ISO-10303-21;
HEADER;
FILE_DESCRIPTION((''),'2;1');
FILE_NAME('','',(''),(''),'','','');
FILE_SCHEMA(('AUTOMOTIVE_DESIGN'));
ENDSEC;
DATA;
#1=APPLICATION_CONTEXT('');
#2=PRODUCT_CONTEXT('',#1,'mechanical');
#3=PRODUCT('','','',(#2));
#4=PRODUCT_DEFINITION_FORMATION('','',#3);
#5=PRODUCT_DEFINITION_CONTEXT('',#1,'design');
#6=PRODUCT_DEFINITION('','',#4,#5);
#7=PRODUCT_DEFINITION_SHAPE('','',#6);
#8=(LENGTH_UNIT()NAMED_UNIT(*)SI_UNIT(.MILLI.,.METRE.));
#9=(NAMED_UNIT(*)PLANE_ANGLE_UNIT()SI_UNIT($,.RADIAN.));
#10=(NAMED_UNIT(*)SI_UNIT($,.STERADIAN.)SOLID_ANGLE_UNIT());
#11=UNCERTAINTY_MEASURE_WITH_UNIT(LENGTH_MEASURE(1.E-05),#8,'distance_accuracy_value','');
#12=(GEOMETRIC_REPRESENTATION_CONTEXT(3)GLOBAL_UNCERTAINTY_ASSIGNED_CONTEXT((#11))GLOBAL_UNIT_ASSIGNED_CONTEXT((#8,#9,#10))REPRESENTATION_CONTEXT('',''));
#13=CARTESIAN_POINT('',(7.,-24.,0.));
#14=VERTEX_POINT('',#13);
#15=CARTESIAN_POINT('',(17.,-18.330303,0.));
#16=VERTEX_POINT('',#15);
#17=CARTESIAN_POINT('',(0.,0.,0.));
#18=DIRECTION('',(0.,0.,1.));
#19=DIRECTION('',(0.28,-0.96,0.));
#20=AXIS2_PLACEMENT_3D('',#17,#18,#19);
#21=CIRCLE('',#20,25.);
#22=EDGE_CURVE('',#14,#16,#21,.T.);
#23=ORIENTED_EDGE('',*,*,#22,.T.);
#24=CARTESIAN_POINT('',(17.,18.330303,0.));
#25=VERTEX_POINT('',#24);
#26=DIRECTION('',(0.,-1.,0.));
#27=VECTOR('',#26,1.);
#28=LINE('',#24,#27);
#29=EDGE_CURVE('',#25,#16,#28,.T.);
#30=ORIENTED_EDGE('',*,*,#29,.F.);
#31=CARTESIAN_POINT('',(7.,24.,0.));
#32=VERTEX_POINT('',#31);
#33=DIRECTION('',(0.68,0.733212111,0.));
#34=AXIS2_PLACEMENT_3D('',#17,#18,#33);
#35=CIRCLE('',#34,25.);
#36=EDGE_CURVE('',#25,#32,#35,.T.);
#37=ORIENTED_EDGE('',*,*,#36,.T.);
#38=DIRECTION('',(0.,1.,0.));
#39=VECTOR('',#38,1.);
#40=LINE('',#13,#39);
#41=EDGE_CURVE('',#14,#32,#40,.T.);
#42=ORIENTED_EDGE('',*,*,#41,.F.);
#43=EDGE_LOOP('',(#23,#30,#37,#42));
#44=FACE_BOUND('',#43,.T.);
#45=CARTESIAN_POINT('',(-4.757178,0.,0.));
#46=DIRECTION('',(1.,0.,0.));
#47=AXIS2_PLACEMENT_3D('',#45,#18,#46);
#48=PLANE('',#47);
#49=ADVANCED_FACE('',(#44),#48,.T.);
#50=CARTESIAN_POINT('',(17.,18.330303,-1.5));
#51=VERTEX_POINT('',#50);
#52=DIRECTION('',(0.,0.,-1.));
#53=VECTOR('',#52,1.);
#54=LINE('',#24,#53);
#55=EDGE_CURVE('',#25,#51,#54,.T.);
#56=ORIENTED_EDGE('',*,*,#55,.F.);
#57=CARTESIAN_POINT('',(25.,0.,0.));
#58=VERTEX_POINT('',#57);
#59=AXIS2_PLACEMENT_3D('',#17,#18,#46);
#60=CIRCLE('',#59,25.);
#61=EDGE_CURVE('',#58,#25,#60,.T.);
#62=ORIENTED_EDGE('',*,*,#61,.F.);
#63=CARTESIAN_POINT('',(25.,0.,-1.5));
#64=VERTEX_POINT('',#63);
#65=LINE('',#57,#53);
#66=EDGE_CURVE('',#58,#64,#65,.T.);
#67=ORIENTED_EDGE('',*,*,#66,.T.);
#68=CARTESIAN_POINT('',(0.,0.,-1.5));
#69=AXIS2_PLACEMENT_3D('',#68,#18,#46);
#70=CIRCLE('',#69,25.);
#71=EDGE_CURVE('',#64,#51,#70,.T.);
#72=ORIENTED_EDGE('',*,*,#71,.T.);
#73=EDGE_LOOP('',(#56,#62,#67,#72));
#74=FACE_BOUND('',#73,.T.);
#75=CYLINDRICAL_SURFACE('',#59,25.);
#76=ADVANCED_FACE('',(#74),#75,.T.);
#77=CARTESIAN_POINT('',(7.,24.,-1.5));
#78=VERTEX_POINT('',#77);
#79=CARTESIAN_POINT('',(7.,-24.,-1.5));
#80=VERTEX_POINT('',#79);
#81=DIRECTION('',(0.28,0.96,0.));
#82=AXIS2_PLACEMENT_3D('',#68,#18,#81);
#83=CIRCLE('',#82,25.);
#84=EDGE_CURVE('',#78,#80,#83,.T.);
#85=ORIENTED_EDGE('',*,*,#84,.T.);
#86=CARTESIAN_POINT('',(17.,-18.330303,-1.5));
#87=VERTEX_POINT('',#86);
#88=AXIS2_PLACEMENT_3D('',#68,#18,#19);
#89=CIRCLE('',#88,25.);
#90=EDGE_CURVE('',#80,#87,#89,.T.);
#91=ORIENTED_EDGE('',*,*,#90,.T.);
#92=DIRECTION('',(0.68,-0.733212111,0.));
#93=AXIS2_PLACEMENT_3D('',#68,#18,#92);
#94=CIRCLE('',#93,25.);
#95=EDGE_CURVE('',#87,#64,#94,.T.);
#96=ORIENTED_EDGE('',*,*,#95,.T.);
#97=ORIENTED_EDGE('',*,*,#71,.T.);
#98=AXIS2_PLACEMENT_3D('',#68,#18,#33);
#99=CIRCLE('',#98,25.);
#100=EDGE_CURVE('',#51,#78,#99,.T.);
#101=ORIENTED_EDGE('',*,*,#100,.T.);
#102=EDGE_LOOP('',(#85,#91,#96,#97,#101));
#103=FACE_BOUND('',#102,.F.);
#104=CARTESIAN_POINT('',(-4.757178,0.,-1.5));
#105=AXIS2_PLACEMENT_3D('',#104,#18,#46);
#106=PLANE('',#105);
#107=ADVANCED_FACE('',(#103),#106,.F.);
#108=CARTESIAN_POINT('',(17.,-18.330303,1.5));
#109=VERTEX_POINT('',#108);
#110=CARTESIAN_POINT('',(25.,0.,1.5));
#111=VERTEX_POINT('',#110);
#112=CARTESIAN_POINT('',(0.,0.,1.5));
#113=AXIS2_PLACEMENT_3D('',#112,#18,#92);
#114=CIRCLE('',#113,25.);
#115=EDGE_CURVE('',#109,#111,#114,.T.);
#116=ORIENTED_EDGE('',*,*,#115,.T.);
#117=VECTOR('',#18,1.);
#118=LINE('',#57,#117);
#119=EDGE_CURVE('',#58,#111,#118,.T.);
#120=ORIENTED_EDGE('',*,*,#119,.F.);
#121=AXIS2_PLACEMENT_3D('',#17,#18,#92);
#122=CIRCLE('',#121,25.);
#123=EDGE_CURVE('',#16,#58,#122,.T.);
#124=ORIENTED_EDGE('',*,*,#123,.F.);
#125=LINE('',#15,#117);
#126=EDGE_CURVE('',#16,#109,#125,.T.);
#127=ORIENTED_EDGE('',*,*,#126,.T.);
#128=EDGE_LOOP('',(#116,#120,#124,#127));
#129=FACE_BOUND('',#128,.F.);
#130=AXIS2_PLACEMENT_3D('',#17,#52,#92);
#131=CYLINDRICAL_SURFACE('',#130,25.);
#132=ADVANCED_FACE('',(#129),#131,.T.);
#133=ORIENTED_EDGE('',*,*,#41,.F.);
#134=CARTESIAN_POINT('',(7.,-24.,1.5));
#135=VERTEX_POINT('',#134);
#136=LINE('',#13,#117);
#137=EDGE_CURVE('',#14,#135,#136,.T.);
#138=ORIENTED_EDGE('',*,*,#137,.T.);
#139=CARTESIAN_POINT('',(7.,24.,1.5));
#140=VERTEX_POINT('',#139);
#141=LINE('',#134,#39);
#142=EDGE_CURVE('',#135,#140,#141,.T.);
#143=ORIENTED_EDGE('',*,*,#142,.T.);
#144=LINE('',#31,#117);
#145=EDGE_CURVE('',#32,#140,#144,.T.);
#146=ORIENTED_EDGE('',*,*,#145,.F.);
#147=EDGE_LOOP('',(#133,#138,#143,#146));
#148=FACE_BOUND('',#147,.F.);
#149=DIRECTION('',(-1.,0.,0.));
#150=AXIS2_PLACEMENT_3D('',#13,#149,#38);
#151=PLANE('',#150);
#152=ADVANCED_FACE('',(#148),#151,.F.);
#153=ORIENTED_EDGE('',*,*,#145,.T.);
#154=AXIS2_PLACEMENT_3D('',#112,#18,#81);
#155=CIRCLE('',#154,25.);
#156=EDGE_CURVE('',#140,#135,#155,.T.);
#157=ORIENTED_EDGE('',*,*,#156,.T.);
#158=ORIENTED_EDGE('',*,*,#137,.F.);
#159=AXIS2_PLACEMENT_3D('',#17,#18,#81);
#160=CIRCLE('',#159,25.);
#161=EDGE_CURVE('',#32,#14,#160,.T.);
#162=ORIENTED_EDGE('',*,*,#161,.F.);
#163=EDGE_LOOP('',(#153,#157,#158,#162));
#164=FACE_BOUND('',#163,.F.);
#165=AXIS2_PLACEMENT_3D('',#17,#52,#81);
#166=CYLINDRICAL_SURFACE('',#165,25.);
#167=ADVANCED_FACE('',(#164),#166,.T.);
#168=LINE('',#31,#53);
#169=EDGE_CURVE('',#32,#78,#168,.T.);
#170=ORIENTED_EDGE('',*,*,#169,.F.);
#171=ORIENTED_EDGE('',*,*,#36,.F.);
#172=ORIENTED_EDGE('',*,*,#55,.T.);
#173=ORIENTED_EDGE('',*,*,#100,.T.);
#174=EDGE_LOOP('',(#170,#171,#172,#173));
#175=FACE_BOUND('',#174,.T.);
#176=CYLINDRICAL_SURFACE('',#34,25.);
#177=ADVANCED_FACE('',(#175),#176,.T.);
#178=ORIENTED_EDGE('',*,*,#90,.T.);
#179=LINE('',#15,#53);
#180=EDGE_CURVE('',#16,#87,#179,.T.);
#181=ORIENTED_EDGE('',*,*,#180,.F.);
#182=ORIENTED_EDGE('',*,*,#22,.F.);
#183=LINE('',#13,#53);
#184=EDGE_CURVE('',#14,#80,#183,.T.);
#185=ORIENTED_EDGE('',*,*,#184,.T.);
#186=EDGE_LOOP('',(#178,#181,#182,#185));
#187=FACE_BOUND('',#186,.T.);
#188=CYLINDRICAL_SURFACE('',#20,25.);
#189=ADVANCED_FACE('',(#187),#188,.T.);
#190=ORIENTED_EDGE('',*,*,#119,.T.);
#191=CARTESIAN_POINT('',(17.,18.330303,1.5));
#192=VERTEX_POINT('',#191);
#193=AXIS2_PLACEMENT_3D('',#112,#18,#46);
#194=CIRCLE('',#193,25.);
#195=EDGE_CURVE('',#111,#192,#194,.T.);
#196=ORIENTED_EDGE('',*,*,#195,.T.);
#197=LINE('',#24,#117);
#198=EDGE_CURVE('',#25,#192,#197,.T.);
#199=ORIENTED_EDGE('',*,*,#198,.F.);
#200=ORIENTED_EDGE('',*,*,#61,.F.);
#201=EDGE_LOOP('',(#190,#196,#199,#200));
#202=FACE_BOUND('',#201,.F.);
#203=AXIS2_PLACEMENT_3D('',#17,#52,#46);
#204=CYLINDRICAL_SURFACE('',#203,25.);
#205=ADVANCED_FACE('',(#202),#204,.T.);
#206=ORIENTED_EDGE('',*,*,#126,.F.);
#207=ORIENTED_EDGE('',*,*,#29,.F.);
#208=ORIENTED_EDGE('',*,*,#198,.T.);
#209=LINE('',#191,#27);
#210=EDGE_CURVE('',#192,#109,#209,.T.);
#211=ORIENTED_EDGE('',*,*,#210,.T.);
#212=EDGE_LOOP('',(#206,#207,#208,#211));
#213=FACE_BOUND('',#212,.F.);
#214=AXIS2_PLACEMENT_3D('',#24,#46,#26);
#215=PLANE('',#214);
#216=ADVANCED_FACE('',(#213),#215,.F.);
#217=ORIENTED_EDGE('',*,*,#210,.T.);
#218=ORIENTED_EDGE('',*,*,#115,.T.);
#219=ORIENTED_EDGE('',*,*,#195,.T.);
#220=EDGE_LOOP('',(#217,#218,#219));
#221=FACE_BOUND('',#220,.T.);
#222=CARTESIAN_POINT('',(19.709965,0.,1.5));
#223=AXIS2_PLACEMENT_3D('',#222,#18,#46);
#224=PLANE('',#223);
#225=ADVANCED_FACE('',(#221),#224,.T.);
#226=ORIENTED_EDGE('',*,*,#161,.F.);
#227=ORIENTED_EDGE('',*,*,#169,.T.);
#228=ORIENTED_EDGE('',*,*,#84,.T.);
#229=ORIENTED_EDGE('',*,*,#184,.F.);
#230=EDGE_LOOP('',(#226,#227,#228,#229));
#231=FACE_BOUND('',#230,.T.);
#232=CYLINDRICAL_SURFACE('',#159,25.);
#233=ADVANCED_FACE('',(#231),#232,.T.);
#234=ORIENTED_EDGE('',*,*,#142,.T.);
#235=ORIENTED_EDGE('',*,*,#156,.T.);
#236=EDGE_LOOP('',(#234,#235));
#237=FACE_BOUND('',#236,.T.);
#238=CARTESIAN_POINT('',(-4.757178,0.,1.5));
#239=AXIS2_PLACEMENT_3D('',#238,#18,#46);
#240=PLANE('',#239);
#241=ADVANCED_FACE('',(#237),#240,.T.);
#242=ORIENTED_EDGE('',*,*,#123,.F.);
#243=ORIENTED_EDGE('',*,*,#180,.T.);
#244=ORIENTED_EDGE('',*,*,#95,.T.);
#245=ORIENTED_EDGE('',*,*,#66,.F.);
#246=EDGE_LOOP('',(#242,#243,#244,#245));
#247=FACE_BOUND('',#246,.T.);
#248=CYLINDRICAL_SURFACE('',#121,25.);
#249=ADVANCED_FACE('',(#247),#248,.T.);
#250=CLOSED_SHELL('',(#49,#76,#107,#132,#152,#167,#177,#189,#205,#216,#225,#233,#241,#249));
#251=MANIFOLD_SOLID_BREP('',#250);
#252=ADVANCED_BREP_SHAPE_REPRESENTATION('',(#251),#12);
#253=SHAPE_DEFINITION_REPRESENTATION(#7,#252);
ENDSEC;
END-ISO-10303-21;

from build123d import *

# Parameters (mm, degrees)
F1_DEPTH = 1.5
F2_DEPTH = 1.5


with BuildPart() as f1:
    # F0 (on Top) → F1 (new body)
    with BuildSketch(Plane.XY):
        with BuildLine():
            Line((7, -24), (7, 24))
            ThreePointArc((7, 24), (-25, 0), (7, -24))
        make_face()
        with BuildLine():
            Line((17, -18.3303027798), (17, 18.3303027798))
            ThreePointArc((17, 18.3303027798), (12.3303027798, 21.7477270849), (7, 24))
            Line((7, 24), (7, -24))
            ThreePointArc((7, -24), (12.3303027798, -21.7477270849), (17, -18.3303027798))
        make_face()
        with BuildLine():
            ThreePointArc((17, -18.3303027798), (22.9128784748, -10), (25, 0))
            ThreePointArc((25, 0), (22.9128784748, 10), (17, 18.3303027798))
            Line((17, 18.3303027798), (17, -18.3303027798))
        make_face()
    extrude(amount=-F1_DEPTH)

    # F0 (on Top) → F2 (join)
    with BuildSketch(Plane.XY):
        with BuildLine():
            ThreePointArc((17, -18.3303027798), (22.9128784748, -10), (25, 0))
            ThreePointArc((25, 0), (22.9128784748, 10), (17, 18.3303027798))
            Line((17, 18.3303027798), (17, -18.3303027798))
        make_face()
        with BuildLine():
            Line((7, -24), (7, 24))
            ThreePointArc((7, 24), (-25, 0), (7, -24))
        make_face()
    extrude(amount=F2_DEPTH)


solid = f1.part
